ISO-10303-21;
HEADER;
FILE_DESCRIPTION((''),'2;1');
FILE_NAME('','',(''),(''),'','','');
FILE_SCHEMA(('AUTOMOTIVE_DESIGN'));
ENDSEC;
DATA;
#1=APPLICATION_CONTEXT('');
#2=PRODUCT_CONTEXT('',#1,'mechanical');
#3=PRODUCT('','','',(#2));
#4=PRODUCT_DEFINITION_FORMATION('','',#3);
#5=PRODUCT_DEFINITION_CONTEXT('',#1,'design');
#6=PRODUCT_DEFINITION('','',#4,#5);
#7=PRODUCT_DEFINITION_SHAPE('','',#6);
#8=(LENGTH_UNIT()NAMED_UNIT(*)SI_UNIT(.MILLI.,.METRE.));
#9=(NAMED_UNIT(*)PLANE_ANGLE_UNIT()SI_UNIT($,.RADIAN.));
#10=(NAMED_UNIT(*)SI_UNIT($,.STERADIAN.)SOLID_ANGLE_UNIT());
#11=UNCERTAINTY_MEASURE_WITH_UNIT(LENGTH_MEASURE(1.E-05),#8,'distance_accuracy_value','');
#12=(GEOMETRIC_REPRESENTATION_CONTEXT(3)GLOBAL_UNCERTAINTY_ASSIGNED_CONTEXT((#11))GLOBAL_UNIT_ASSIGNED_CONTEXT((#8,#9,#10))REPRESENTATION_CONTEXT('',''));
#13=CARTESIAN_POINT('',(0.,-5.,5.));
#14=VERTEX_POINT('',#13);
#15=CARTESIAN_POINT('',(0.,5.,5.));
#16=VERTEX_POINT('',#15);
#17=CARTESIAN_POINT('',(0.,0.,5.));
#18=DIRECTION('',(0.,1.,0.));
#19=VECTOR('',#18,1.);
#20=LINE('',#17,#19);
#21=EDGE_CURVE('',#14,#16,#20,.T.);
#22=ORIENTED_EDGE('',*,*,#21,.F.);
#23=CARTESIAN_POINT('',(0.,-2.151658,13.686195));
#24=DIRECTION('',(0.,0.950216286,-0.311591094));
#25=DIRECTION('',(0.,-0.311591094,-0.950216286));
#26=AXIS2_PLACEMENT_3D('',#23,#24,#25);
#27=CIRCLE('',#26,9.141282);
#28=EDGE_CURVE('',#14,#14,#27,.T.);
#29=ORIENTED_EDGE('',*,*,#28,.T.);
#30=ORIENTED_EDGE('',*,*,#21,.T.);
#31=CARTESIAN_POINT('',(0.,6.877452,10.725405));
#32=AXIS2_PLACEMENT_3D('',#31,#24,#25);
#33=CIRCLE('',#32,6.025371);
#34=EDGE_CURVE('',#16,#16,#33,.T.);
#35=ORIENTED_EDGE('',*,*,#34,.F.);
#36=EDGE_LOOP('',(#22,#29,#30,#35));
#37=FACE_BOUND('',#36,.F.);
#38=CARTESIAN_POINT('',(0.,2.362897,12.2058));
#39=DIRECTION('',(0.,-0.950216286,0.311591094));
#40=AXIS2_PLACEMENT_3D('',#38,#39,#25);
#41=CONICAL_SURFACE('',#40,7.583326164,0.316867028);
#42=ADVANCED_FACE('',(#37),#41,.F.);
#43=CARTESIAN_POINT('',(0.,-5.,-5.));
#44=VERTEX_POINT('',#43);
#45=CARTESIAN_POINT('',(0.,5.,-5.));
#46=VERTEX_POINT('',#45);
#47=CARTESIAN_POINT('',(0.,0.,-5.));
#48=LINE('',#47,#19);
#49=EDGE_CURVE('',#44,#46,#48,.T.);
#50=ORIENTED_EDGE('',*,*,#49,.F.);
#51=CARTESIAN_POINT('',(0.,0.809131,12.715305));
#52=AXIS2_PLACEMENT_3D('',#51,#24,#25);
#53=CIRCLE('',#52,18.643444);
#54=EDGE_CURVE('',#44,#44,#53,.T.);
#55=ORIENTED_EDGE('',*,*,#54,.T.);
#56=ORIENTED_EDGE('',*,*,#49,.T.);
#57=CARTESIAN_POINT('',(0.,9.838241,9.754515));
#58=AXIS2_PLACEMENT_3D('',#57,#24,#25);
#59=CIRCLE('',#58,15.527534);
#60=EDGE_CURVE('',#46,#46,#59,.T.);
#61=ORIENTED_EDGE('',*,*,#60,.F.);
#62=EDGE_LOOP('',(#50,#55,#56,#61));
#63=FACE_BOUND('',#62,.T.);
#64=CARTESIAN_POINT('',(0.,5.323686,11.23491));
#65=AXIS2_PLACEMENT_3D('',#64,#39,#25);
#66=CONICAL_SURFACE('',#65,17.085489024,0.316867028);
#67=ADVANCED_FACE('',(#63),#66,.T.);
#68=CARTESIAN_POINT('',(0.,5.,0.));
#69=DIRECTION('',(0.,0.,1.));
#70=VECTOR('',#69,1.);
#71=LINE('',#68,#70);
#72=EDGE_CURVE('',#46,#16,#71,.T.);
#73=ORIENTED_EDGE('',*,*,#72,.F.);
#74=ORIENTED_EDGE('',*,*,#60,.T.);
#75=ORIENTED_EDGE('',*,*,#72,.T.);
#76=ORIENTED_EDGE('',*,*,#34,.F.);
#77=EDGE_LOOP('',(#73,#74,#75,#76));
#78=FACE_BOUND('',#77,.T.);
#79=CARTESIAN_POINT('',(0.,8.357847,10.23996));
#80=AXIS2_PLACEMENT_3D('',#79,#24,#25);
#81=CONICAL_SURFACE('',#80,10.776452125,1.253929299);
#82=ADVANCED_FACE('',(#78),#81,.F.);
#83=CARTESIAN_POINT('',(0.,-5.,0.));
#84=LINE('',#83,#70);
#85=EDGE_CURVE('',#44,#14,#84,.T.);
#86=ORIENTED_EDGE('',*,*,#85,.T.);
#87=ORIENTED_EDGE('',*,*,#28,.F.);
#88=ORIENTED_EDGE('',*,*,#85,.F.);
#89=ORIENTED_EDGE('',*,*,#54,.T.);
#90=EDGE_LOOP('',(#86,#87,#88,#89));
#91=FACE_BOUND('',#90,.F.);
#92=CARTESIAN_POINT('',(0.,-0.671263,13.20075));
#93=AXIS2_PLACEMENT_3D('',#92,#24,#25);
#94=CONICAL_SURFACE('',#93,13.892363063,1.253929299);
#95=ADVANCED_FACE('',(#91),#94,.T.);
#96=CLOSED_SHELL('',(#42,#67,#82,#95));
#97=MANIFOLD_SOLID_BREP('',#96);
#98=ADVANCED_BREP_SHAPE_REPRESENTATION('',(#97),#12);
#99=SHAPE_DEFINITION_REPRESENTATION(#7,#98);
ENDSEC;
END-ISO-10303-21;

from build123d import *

# Parameters (mm, degrees)
F0_W = 10
F0_H = 10


with BuildPart() as f1:
    # F0 (on Right) → F1 (revolve)
    with BuildSketch(Plane.YZ):
        Rectangle(F0_W, F0_H)
    revolve(axis=Axis((0, -5.61798, 14.822857), (0, 0.950216, -0.311591)))


solid = f1.part
